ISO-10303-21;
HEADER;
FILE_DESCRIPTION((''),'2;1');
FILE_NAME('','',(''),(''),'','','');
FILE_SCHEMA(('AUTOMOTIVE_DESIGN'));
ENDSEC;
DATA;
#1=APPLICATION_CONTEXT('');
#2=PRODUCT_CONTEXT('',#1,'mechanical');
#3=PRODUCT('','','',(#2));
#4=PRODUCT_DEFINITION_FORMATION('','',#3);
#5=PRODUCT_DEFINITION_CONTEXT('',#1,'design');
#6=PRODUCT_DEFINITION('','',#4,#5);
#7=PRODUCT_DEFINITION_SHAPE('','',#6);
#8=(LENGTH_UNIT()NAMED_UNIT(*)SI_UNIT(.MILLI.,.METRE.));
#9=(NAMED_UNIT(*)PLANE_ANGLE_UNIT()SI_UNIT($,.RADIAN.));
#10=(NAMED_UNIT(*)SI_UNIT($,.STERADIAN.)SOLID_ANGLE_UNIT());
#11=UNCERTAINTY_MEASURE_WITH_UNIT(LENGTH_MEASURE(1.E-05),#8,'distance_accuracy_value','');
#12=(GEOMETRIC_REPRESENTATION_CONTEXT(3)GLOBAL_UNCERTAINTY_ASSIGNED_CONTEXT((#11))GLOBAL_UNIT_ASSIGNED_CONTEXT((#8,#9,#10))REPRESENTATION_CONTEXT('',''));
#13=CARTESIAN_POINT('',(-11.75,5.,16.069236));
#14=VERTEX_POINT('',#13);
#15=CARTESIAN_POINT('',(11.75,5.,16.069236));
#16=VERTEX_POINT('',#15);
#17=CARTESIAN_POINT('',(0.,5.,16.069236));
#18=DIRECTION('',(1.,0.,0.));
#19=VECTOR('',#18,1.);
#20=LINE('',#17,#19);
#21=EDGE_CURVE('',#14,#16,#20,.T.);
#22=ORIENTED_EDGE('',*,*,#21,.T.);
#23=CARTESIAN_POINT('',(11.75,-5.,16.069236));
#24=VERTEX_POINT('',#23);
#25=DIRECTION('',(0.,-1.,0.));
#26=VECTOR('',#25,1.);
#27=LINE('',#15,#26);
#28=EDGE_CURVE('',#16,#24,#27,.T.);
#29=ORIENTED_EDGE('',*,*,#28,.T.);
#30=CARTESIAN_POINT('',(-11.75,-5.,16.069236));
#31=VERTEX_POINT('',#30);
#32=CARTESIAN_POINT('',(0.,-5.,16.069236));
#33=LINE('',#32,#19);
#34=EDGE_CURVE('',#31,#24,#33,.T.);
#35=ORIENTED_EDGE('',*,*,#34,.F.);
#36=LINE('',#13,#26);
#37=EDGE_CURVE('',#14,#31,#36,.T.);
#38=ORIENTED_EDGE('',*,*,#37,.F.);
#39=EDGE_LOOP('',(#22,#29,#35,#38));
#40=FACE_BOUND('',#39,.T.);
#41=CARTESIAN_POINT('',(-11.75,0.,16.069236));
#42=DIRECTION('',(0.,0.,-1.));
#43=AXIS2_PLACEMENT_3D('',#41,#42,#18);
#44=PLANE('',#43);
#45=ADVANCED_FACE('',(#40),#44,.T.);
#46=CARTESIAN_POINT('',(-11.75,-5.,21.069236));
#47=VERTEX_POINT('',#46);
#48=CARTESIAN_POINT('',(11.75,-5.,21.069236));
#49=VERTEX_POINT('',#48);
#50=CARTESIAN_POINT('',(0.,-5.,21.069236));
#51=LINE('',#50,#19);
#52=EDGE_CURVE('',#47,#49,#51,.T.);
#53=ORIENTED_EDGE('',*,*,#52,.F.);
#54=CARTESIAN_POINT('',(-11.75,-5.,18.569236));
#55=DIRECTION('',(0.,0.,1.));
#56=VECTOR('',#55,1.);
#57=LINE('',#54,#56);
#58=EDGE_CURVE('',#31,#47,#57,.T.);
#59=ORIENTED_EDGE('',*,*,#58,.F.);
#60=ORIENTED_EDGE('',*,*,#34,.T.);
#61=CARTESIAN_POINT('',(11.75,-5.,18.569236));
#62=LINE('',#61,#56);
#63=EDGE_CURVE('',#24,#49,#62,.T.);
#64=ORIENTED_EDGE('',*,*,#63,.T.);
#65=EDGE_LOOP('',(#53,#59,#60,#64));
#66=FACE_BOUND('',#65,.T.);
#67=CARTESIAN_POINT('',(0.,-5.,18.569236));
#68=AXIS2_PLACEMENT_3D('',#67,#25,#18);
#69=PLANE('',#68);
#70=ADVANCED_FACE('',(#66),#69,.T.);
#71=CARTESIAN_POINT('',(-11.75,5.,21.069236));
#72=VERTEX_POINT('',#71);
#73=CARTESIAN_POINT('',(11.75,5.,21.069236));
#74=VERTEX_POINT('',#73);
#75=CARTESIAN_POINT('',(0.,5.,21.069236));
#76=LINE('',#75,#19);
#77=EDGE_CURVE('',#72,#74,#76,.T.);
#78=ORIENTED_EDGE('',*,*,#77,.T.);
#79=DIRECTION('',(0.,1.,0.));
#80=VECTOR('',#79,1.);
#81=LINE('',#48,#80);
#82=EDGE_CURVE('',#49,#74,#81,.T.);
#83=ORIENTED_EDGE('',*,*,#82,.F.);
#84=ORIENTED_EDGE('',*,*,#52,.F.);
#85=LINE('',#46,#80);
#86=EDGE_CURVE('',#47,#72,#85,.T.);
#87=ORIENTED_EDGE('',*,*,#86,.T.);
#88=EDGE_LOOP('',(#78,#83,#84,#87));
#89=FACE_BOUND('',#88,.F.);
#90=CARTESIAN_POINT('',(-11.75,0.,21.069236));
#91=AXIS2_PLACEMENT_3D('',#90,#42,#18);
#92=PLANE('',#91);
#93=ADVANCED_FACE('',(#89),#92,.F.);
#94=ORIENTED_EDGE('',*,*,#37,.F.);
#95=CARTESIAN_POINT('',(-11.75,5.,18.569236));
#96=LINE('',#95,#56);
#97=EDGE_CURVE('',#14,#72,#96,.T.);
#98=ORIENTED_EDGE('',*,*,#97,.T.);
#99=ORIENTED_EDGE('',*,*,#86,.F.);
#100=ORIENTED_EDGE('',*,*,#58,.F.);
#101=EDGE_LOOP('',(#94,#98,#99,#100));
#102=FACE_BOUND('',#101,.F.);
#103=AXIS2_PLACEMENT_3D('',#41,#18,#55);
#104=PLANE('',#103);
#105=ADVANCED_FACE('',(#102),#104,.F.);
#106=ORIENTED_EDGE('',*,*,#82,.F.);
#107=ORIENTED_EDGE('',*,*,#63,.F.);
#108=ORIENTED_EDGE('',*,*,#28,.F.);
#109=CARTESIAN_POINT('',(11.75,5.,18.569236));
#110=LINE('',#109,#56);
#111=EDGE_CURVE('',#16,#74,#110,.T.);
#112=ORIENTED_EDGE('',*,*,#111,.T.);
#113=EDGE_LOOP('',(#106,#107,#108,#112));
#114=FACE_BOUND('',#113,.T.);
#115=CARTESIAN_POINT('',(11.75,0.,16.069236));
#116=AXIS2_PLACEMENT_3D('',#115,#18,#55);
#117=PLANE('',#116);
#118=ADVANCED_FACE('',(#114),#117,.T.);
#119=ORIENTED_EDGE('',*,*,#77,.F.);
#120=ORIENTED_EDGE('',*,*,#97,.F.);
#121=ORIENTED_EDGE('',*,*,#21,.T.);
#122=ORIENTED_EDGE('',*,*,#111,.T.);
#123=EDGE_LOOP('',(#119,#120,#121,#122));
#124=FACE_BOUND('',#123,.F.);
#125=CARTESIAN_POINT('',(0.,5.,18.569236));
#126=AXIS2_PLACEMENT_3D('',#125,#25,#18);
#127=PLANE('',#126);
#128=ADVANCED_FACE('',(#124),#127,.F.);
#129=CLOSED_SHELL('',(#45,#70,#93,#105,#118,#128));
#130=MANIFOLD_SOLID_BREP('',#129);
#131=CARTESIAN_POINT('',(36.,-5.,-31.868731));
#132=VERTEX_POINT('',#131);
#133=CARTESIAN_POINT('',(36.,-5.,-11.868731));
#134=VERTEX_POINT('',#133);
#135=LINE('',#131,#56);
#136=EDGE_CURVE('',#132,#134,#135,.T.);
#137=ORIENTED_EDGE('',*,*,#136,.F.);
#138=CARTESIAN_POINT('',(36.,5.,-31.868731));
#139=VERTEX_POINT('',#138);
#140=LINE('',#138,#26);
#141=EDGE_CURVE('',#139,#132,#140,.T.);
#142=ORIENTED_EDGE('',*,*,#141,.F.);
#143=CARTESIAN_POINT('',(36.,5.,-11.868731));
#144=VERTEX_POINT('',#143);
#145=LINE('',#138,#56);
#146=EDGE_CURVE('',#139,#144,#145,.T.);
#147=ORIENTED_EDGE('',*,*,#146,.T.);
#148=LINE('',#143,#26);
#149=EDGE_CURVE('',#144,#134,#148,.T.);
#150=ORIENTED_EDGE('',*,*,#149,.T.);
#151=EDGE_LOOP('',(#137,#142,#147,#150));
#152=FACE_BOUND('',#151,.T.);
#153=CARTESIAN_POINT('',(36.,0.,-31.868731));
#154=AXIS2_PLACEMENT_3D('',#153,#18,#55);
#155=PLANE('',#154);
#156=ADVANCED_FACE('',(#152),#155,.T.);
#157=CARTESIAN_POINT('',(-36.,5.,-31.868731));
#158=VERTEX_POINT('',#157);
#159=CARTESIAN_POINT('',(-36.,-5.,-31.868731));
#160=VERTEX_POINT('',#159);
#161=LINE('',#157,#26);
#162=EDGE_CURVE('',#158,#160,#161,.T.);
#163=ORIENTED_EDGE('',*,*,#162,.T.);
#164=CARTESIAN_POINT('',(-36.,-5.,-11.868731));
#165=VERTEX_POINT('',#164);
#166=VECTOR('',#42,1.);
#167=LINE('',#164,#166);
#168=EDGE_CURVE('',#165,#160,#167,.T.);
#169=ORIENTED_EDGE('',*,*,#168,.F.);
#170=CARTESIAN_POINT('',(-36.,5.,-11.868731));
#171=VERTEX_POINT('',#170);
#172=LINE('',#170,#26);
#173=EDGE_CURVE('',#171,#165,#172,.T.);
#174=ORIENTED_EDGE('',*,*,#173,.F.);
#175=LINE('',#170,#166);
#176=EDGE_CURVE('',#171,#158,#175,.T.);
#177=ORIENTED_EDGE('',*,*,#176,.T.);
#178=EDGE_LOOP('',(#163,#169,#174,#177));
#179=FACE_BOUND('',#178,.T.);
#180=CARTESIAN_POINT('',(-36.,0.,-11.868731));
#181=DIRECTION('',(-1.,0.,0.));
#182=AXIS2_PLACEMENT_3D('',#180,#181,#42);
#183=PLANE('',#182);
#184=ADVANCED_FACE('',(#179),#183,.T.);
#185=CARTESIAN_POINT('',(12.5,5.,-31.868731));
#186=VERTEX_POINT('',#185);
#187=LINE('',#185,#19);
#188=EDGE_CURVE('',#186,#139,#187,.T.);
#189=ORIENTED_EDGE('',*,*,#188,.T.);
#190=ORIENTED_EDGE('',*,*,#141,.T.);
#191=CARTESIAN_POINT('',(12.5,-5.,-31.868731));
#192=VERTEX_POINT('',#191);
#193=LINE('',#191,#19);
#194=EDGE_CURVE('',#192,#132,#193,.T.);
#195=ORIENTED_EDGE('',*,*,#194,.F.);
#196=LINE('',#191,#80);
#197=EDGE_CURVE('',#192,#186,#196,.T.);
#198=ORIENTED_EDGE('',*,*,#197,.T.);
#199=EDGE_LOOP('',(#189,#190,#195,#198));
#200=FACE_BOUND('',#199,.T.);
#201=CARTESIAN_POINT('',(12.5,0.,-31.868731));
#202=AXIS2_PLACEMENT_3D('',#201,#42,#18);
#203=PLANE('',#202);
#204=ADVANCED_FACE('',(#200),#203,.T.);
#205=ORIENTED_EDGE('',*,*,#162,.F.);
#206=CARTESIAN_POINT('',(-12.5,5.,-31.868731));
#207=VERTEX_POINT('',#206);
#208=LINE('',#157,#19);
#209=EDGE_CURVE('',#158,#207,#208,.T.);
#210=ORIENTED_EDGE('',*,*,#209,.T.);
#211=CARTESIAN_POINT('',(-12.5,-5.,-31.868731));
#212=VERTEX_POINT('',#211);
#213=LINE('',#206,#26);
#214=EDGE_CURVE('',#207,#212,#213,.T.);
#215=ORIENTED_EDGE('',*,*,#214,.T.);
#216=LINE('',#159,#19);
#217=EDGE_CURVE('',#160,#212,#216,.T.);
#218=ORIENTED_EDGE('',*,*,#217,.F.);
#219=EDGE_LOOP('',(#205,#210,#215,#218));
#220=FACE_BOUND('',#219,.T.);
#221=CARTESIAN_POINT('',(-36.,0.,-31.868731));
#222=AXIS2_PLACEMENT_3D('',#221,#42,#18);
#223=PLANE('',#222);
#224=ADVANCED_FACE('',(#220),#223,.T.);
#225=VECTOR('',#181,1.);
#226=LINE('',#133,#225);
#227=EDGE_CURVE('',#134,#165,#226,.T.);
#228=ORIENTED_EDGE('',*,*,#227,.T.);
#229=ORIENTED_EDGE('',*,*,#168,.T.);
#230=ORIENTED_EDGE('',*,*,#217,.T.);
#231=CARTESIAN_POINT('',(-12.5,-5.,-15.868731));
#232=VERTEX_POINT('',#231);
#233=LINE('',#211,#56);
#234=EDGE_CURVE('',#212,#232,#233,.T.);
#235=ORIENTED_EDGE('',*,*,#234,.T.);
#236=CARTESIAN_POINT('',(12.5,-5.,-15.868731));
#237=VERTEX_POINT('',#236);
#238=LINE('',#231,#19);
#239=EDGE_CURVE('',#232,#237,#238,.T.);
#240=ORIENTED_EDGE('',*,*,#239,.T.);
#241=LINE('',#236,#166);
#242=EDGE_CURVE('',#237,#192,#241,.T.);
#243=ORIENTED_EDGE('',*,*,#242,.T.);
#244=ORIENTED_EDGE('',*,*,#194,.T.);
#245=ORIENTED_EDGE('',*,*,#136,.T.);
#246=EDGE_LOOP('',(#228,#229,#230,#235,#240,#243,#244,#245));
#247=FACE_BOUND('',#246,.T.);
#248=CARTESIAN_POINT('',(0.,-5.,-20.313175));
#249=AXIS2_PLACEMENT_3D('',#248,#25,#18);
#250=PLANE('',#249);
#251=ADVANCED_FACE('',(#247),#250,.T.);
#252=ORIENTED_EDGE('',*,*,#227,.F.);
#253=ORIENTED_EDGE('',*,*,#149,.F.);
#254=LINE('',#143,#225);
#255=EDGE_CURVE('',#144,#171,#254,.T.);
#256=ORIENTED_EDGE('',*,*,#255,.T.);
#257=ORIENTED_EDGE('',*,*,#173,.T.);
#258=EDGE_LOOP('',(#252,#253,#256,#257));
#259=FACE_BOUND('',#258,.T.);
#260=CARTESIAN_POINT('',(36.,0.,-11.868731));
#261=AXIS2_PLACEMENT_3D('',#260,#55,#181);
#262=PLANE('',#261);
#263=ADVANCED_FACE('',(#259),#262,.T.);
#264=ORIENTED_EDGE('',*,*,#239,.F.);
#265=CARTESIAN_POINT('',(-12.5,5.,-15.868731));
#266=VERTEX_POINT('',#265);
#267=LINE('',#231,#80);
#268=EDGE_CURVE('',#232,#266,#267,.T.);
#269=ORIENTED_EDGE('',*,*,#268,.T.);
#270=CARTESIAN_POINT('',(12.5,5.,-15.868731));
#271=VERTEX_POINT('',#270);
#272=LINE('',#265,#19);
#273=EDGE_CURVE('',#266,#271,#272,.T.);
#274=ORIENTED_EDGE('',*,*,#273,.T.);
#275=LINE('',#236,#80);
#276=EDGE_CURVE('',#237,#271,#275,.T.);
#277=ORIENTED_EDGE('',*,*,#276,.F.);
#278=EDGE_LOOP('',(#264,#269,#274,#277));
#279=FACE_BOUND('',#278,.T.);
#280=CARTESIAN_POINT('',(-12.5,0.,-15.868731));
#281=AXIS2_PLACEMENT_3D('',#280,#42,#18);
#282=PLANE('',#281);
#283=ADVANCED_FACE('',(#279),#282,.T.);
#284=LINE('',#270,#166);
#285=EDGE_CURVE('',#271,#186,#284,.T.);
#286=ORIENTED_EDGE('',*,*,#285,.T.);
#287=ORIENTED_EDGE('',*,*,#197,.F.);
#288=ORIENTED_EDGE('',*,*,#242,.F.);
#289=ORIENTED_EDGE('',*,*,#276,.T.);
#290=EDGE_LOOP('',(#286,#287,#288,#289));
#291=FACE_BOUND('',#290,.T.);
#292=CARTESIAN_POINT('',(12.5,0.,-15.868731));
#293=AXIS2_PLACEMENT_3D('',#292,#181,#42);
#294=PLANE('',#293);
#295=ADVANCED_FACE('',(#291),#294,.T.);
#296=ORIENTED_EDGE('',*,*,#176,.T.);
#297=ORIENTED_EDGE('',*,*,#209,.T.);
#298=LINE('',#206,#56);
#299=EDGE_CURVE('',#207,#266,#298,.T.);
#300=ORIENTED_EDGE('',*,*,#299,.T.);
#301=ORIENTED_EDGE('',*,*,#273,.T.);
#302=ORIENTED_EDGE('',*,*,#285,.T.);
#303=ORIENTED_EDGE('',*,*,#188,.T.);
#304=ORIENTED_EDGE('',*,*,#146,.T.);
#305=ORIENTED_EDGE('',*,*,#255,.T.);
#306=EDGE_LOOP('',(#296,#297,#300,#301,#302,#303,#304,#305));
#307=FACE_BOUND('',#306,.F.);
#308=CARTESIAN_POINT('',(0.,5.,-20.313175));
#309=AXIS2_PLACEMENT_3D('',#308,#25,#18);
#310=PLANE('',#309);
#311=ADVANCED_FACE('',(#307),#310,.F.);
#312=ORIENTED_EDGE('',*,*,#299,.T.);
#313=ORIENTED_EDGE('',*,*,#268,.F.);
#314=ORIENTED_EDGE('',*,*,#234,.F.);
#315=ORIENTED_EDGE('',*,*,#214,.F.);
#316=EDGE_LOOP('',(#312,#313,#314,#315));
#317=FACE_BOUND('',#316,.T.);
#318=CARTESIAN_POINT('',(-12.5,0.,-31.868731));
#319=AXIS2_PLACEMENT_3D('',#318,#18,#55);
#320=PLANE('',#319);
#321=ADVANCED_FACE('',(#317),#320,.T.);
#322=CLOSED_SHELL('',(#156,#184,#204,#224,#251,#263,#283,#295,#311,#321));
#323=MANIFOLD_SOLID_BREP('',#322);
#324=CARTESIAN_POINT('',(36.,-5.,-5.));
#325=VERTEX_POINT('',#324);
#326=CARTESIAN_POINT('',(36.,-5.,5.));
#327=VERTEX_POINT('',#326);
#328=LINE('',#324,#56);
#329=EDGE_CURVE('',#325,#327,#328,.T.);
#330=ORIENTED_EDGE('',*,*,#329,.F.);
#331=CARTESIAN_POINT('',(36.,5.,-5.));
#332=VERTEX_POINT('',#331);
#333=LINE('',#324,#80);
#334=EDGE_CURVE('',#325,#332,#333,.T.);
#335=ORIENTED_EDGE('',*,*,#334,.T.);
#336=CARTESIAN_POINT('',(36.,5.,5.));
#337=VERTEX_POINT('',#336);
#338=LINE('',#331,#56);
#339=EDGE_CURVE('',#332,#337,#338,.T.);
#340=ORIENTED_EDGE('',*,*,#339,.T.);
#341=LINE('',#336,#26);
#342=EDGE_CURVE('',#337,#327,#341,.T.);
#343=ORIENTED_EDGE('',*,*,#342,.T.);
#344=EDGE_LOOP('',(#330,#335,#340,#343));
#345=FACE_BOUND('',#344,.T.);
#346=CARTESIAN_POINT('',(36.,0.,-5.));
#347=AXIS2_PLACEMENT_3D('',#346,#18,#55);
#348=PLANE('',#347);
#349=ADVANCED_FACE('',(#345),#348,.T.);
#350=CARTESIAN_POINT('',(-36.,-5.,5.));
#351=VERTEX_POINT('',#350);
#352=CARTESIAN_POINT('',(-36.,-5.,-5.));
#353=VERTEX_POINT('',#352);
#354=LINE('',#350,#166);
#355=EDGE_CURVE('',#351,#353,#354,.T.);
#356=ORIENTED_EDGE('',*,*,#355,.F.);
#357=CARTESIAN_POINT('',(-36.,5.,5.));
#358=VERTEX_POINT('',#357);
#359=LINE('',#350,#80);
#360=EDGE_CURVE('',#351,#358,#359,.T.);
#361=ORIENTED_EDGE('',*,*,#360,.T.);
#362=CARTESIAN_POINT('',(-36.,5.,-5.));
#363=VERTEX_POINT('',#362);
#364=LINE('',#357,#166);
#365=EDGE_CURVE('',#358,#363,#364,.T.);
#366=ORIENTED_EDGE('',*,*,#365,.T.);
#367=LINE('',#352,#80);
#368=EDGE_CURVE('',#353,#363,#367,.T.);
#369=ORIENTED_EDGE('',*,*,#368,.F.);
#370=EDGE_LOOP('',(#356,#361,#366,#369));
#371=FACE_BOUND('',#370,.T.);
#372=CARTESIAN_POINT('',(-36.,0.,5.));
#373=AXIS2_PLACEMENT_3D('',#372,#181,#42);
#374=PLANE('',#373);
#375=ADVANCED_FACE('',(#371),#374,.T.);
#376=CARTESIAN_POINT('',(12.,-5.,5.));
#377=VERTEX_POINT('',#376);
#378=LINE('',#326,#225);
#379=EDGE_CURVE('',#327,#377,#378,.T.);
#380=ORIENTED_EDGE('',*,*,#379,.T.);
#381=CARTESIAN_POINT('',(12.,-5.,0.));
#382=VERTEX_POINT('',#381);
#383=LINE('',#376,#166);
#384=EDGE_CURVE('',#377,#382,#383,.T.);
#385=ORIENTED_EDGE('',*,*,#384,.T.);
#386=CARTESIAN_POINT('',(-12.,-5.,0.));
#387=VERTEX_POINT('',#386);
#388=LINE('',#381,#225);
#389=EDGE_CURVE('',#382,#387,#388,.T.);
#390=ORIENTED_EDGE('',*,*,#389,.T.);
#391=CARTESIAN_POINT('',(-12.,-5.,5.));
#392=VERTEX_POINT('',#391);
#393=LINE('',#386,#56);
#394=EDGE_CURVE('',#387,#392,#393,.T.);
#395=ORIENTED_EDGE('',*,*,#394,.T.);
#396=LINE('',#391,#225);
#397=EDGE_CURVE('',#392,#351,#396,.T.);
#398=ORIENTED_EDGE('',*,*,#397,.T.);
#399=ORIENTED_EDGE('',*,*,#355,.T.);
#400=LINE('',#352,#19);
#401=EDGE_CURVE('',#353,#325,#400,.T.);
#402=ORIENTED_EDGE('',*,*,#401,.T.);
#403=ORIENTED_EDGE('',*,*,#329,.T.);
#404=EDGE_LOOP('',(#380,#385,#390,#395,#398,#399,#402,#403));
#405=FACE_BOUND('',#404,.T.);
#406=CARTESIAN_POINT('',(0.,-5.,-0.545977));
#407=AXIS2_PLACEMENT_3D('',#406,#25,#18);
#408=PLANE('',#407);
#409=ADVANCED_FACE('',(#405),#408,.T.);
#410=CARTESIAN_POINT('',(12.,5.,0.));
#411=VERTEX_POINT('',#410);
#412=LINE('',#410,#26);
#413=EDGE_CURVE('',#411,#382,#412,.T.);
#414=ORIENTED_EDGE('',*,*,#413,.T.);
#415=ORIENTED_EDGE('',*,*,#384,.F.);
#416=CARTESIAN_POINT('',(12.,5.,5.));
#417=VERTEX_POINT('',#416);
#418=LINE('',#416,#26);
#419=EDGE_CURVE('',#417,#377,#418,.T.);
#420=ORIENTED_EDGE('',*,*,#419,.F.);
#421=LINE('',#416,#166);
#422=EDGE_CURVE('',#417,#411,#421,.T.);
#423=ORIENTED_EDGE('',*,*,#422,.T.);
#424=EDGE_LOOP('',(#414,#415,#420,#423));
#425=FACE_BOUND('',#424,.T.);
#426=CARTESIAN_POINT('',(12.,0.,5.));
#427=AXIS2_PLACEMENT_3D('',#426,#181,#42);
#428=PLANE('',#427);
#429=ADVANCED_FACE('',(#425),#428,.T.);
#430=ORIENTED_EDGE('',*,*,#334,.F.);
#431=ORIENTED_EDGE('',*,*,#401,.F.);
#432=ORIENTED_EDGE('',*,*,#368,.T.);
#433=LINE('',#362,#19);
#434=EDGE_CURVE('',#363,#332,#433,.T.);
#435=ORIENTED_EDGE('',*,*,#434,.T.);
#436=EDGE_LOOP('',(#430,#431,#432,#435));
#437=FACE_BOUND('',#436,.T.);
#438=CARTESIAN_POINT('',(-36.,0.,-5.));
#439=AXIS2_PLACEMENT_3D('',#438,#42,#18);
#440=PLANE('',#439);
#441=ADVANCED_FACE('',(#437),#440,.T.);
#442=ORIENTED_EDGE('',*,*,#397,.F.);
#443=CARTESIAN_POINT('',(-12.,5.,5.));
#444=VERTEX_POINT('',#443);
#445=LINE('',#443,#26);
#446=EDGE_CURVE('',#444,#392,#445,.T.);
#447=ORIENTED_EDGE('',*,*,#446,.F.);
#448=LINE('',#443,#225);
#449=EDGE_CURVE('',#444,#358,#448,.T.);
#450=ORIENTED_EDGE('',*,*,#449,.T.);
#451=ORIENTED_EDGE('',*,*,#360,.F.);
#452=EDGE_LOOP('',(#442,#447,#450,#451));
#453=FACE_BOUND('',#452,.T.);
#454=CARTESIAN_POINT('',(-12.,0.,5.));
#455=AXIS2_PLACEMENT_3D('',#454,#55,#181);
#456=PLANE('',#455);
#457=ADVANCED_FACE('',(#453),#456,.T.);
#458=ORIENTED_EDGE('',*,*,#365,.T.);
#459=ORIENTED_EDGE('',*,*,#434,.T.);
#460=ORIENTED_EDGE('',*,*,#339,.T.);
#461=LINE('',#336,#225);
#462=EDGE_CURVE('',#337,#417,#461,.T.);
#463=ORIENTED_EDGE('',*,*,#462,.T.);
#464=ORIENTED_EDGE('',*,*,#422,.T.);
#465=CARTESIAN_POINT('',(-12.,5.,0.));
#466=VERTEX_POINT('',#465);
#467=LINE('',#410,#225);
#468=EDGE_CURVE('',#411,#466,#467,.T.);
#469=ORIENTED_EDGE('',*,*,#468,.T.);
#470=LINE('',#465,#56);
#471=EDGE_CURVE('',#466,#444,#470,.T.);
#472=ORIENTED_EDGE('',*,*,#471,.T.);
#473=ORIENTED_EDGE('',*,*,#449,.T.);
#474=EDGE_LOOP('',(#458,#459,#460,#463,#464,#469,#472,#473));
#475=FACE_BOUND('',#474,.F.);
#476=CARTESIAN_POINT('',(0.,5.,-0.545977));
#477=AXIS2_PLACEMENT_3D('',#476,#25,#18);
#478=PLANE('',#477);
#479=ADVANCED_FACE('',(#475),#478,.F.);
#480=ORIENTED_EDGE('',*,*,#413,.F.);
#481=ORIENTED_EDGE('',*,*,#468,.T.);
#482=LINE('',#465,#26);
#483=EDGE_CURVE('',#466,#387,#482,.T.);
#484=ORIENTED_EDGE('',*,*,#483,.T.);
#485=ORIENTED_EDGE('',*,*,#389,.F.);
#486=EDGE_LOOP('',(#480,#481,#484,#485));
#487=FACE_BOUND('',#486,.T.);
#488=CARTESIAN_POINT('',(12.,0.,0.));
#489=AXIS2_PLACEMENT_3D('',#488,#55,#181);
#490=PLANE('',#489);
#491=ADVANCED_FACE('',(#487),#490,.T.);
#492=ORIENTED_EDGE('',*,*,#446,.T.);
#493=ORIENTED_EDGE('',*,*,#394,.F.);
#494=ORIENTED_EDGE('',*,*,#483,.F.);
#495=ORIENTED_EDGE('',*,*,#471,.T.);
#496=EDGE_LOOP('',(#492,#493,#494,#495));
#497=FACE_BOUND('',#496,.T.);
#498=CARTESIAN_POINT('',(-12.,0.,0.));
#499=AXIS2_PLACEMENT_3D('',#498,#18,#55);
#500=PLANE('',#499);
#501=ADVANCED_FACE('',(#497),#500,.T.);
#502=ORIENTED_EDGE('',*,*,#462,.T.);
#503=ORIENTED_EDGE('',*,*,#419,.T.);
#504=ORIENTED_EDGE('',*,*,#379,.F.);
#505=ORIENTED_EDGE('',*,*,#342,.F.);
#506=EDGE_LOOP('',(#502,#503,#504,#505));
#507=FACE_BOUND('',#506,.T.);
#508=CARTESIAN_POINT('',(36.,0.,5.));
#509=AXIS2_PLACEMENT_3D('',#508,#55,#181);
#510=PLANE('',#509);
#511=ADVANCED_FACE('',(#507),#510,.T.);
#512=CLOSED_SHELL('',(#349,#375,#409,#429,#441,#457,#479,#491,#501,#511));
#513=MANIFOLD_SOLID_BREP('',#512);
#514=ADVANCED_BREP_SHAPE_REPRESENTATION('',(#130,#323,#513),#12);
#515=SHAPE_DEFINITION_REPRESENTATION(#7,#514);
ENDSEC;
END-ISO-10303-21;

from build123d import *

# Parameters (mm, degrees)
F1_DEPTH = 5
F2_W     = 23.5
F2_H     = 5
F3_DEPTH = 5
F5_DEPTH = 5


with BuildPart() as f1:
    # F0 (on Front) → F1 (new body, symmetric)
    with BuildSketch(Plane.XZ):
        Polygon((36, -5), (36, 5), (12, 5), (12, 0), (-12, 0), (-12, 5), (-36, 5), (-36, -5), align=None)
    extrude(amount=F1_DEPTH, both=True)


with BuildPart() as f3:
    # F2 (on Front) → F3 (new body, symmetric)
    with BuildSketch(Plane.XZ):
        with Locations((0, 18.569236)):
            Rectangle(F2_W, F2_H)
    extrude(amount=F3_DEPTH, both=True)


with BuildPart() as f5:
    # F4 (on Front) → F5 (new body, symmetric)
    with BuildSketch(Plane.XZ):
        Polygon((12.5, -31.868731), (36, -31.868731), (36, -11.868731), (-36, -11.868731), (-36, -31.868731), (-12.5, -31.868731), (-12.5, -15.868731), (12.5, -15.868731), align=None)
    extrude(amount=F5_DEPTH, both=True)


solid = Compound([f1.part, f3.part, f5.part])
